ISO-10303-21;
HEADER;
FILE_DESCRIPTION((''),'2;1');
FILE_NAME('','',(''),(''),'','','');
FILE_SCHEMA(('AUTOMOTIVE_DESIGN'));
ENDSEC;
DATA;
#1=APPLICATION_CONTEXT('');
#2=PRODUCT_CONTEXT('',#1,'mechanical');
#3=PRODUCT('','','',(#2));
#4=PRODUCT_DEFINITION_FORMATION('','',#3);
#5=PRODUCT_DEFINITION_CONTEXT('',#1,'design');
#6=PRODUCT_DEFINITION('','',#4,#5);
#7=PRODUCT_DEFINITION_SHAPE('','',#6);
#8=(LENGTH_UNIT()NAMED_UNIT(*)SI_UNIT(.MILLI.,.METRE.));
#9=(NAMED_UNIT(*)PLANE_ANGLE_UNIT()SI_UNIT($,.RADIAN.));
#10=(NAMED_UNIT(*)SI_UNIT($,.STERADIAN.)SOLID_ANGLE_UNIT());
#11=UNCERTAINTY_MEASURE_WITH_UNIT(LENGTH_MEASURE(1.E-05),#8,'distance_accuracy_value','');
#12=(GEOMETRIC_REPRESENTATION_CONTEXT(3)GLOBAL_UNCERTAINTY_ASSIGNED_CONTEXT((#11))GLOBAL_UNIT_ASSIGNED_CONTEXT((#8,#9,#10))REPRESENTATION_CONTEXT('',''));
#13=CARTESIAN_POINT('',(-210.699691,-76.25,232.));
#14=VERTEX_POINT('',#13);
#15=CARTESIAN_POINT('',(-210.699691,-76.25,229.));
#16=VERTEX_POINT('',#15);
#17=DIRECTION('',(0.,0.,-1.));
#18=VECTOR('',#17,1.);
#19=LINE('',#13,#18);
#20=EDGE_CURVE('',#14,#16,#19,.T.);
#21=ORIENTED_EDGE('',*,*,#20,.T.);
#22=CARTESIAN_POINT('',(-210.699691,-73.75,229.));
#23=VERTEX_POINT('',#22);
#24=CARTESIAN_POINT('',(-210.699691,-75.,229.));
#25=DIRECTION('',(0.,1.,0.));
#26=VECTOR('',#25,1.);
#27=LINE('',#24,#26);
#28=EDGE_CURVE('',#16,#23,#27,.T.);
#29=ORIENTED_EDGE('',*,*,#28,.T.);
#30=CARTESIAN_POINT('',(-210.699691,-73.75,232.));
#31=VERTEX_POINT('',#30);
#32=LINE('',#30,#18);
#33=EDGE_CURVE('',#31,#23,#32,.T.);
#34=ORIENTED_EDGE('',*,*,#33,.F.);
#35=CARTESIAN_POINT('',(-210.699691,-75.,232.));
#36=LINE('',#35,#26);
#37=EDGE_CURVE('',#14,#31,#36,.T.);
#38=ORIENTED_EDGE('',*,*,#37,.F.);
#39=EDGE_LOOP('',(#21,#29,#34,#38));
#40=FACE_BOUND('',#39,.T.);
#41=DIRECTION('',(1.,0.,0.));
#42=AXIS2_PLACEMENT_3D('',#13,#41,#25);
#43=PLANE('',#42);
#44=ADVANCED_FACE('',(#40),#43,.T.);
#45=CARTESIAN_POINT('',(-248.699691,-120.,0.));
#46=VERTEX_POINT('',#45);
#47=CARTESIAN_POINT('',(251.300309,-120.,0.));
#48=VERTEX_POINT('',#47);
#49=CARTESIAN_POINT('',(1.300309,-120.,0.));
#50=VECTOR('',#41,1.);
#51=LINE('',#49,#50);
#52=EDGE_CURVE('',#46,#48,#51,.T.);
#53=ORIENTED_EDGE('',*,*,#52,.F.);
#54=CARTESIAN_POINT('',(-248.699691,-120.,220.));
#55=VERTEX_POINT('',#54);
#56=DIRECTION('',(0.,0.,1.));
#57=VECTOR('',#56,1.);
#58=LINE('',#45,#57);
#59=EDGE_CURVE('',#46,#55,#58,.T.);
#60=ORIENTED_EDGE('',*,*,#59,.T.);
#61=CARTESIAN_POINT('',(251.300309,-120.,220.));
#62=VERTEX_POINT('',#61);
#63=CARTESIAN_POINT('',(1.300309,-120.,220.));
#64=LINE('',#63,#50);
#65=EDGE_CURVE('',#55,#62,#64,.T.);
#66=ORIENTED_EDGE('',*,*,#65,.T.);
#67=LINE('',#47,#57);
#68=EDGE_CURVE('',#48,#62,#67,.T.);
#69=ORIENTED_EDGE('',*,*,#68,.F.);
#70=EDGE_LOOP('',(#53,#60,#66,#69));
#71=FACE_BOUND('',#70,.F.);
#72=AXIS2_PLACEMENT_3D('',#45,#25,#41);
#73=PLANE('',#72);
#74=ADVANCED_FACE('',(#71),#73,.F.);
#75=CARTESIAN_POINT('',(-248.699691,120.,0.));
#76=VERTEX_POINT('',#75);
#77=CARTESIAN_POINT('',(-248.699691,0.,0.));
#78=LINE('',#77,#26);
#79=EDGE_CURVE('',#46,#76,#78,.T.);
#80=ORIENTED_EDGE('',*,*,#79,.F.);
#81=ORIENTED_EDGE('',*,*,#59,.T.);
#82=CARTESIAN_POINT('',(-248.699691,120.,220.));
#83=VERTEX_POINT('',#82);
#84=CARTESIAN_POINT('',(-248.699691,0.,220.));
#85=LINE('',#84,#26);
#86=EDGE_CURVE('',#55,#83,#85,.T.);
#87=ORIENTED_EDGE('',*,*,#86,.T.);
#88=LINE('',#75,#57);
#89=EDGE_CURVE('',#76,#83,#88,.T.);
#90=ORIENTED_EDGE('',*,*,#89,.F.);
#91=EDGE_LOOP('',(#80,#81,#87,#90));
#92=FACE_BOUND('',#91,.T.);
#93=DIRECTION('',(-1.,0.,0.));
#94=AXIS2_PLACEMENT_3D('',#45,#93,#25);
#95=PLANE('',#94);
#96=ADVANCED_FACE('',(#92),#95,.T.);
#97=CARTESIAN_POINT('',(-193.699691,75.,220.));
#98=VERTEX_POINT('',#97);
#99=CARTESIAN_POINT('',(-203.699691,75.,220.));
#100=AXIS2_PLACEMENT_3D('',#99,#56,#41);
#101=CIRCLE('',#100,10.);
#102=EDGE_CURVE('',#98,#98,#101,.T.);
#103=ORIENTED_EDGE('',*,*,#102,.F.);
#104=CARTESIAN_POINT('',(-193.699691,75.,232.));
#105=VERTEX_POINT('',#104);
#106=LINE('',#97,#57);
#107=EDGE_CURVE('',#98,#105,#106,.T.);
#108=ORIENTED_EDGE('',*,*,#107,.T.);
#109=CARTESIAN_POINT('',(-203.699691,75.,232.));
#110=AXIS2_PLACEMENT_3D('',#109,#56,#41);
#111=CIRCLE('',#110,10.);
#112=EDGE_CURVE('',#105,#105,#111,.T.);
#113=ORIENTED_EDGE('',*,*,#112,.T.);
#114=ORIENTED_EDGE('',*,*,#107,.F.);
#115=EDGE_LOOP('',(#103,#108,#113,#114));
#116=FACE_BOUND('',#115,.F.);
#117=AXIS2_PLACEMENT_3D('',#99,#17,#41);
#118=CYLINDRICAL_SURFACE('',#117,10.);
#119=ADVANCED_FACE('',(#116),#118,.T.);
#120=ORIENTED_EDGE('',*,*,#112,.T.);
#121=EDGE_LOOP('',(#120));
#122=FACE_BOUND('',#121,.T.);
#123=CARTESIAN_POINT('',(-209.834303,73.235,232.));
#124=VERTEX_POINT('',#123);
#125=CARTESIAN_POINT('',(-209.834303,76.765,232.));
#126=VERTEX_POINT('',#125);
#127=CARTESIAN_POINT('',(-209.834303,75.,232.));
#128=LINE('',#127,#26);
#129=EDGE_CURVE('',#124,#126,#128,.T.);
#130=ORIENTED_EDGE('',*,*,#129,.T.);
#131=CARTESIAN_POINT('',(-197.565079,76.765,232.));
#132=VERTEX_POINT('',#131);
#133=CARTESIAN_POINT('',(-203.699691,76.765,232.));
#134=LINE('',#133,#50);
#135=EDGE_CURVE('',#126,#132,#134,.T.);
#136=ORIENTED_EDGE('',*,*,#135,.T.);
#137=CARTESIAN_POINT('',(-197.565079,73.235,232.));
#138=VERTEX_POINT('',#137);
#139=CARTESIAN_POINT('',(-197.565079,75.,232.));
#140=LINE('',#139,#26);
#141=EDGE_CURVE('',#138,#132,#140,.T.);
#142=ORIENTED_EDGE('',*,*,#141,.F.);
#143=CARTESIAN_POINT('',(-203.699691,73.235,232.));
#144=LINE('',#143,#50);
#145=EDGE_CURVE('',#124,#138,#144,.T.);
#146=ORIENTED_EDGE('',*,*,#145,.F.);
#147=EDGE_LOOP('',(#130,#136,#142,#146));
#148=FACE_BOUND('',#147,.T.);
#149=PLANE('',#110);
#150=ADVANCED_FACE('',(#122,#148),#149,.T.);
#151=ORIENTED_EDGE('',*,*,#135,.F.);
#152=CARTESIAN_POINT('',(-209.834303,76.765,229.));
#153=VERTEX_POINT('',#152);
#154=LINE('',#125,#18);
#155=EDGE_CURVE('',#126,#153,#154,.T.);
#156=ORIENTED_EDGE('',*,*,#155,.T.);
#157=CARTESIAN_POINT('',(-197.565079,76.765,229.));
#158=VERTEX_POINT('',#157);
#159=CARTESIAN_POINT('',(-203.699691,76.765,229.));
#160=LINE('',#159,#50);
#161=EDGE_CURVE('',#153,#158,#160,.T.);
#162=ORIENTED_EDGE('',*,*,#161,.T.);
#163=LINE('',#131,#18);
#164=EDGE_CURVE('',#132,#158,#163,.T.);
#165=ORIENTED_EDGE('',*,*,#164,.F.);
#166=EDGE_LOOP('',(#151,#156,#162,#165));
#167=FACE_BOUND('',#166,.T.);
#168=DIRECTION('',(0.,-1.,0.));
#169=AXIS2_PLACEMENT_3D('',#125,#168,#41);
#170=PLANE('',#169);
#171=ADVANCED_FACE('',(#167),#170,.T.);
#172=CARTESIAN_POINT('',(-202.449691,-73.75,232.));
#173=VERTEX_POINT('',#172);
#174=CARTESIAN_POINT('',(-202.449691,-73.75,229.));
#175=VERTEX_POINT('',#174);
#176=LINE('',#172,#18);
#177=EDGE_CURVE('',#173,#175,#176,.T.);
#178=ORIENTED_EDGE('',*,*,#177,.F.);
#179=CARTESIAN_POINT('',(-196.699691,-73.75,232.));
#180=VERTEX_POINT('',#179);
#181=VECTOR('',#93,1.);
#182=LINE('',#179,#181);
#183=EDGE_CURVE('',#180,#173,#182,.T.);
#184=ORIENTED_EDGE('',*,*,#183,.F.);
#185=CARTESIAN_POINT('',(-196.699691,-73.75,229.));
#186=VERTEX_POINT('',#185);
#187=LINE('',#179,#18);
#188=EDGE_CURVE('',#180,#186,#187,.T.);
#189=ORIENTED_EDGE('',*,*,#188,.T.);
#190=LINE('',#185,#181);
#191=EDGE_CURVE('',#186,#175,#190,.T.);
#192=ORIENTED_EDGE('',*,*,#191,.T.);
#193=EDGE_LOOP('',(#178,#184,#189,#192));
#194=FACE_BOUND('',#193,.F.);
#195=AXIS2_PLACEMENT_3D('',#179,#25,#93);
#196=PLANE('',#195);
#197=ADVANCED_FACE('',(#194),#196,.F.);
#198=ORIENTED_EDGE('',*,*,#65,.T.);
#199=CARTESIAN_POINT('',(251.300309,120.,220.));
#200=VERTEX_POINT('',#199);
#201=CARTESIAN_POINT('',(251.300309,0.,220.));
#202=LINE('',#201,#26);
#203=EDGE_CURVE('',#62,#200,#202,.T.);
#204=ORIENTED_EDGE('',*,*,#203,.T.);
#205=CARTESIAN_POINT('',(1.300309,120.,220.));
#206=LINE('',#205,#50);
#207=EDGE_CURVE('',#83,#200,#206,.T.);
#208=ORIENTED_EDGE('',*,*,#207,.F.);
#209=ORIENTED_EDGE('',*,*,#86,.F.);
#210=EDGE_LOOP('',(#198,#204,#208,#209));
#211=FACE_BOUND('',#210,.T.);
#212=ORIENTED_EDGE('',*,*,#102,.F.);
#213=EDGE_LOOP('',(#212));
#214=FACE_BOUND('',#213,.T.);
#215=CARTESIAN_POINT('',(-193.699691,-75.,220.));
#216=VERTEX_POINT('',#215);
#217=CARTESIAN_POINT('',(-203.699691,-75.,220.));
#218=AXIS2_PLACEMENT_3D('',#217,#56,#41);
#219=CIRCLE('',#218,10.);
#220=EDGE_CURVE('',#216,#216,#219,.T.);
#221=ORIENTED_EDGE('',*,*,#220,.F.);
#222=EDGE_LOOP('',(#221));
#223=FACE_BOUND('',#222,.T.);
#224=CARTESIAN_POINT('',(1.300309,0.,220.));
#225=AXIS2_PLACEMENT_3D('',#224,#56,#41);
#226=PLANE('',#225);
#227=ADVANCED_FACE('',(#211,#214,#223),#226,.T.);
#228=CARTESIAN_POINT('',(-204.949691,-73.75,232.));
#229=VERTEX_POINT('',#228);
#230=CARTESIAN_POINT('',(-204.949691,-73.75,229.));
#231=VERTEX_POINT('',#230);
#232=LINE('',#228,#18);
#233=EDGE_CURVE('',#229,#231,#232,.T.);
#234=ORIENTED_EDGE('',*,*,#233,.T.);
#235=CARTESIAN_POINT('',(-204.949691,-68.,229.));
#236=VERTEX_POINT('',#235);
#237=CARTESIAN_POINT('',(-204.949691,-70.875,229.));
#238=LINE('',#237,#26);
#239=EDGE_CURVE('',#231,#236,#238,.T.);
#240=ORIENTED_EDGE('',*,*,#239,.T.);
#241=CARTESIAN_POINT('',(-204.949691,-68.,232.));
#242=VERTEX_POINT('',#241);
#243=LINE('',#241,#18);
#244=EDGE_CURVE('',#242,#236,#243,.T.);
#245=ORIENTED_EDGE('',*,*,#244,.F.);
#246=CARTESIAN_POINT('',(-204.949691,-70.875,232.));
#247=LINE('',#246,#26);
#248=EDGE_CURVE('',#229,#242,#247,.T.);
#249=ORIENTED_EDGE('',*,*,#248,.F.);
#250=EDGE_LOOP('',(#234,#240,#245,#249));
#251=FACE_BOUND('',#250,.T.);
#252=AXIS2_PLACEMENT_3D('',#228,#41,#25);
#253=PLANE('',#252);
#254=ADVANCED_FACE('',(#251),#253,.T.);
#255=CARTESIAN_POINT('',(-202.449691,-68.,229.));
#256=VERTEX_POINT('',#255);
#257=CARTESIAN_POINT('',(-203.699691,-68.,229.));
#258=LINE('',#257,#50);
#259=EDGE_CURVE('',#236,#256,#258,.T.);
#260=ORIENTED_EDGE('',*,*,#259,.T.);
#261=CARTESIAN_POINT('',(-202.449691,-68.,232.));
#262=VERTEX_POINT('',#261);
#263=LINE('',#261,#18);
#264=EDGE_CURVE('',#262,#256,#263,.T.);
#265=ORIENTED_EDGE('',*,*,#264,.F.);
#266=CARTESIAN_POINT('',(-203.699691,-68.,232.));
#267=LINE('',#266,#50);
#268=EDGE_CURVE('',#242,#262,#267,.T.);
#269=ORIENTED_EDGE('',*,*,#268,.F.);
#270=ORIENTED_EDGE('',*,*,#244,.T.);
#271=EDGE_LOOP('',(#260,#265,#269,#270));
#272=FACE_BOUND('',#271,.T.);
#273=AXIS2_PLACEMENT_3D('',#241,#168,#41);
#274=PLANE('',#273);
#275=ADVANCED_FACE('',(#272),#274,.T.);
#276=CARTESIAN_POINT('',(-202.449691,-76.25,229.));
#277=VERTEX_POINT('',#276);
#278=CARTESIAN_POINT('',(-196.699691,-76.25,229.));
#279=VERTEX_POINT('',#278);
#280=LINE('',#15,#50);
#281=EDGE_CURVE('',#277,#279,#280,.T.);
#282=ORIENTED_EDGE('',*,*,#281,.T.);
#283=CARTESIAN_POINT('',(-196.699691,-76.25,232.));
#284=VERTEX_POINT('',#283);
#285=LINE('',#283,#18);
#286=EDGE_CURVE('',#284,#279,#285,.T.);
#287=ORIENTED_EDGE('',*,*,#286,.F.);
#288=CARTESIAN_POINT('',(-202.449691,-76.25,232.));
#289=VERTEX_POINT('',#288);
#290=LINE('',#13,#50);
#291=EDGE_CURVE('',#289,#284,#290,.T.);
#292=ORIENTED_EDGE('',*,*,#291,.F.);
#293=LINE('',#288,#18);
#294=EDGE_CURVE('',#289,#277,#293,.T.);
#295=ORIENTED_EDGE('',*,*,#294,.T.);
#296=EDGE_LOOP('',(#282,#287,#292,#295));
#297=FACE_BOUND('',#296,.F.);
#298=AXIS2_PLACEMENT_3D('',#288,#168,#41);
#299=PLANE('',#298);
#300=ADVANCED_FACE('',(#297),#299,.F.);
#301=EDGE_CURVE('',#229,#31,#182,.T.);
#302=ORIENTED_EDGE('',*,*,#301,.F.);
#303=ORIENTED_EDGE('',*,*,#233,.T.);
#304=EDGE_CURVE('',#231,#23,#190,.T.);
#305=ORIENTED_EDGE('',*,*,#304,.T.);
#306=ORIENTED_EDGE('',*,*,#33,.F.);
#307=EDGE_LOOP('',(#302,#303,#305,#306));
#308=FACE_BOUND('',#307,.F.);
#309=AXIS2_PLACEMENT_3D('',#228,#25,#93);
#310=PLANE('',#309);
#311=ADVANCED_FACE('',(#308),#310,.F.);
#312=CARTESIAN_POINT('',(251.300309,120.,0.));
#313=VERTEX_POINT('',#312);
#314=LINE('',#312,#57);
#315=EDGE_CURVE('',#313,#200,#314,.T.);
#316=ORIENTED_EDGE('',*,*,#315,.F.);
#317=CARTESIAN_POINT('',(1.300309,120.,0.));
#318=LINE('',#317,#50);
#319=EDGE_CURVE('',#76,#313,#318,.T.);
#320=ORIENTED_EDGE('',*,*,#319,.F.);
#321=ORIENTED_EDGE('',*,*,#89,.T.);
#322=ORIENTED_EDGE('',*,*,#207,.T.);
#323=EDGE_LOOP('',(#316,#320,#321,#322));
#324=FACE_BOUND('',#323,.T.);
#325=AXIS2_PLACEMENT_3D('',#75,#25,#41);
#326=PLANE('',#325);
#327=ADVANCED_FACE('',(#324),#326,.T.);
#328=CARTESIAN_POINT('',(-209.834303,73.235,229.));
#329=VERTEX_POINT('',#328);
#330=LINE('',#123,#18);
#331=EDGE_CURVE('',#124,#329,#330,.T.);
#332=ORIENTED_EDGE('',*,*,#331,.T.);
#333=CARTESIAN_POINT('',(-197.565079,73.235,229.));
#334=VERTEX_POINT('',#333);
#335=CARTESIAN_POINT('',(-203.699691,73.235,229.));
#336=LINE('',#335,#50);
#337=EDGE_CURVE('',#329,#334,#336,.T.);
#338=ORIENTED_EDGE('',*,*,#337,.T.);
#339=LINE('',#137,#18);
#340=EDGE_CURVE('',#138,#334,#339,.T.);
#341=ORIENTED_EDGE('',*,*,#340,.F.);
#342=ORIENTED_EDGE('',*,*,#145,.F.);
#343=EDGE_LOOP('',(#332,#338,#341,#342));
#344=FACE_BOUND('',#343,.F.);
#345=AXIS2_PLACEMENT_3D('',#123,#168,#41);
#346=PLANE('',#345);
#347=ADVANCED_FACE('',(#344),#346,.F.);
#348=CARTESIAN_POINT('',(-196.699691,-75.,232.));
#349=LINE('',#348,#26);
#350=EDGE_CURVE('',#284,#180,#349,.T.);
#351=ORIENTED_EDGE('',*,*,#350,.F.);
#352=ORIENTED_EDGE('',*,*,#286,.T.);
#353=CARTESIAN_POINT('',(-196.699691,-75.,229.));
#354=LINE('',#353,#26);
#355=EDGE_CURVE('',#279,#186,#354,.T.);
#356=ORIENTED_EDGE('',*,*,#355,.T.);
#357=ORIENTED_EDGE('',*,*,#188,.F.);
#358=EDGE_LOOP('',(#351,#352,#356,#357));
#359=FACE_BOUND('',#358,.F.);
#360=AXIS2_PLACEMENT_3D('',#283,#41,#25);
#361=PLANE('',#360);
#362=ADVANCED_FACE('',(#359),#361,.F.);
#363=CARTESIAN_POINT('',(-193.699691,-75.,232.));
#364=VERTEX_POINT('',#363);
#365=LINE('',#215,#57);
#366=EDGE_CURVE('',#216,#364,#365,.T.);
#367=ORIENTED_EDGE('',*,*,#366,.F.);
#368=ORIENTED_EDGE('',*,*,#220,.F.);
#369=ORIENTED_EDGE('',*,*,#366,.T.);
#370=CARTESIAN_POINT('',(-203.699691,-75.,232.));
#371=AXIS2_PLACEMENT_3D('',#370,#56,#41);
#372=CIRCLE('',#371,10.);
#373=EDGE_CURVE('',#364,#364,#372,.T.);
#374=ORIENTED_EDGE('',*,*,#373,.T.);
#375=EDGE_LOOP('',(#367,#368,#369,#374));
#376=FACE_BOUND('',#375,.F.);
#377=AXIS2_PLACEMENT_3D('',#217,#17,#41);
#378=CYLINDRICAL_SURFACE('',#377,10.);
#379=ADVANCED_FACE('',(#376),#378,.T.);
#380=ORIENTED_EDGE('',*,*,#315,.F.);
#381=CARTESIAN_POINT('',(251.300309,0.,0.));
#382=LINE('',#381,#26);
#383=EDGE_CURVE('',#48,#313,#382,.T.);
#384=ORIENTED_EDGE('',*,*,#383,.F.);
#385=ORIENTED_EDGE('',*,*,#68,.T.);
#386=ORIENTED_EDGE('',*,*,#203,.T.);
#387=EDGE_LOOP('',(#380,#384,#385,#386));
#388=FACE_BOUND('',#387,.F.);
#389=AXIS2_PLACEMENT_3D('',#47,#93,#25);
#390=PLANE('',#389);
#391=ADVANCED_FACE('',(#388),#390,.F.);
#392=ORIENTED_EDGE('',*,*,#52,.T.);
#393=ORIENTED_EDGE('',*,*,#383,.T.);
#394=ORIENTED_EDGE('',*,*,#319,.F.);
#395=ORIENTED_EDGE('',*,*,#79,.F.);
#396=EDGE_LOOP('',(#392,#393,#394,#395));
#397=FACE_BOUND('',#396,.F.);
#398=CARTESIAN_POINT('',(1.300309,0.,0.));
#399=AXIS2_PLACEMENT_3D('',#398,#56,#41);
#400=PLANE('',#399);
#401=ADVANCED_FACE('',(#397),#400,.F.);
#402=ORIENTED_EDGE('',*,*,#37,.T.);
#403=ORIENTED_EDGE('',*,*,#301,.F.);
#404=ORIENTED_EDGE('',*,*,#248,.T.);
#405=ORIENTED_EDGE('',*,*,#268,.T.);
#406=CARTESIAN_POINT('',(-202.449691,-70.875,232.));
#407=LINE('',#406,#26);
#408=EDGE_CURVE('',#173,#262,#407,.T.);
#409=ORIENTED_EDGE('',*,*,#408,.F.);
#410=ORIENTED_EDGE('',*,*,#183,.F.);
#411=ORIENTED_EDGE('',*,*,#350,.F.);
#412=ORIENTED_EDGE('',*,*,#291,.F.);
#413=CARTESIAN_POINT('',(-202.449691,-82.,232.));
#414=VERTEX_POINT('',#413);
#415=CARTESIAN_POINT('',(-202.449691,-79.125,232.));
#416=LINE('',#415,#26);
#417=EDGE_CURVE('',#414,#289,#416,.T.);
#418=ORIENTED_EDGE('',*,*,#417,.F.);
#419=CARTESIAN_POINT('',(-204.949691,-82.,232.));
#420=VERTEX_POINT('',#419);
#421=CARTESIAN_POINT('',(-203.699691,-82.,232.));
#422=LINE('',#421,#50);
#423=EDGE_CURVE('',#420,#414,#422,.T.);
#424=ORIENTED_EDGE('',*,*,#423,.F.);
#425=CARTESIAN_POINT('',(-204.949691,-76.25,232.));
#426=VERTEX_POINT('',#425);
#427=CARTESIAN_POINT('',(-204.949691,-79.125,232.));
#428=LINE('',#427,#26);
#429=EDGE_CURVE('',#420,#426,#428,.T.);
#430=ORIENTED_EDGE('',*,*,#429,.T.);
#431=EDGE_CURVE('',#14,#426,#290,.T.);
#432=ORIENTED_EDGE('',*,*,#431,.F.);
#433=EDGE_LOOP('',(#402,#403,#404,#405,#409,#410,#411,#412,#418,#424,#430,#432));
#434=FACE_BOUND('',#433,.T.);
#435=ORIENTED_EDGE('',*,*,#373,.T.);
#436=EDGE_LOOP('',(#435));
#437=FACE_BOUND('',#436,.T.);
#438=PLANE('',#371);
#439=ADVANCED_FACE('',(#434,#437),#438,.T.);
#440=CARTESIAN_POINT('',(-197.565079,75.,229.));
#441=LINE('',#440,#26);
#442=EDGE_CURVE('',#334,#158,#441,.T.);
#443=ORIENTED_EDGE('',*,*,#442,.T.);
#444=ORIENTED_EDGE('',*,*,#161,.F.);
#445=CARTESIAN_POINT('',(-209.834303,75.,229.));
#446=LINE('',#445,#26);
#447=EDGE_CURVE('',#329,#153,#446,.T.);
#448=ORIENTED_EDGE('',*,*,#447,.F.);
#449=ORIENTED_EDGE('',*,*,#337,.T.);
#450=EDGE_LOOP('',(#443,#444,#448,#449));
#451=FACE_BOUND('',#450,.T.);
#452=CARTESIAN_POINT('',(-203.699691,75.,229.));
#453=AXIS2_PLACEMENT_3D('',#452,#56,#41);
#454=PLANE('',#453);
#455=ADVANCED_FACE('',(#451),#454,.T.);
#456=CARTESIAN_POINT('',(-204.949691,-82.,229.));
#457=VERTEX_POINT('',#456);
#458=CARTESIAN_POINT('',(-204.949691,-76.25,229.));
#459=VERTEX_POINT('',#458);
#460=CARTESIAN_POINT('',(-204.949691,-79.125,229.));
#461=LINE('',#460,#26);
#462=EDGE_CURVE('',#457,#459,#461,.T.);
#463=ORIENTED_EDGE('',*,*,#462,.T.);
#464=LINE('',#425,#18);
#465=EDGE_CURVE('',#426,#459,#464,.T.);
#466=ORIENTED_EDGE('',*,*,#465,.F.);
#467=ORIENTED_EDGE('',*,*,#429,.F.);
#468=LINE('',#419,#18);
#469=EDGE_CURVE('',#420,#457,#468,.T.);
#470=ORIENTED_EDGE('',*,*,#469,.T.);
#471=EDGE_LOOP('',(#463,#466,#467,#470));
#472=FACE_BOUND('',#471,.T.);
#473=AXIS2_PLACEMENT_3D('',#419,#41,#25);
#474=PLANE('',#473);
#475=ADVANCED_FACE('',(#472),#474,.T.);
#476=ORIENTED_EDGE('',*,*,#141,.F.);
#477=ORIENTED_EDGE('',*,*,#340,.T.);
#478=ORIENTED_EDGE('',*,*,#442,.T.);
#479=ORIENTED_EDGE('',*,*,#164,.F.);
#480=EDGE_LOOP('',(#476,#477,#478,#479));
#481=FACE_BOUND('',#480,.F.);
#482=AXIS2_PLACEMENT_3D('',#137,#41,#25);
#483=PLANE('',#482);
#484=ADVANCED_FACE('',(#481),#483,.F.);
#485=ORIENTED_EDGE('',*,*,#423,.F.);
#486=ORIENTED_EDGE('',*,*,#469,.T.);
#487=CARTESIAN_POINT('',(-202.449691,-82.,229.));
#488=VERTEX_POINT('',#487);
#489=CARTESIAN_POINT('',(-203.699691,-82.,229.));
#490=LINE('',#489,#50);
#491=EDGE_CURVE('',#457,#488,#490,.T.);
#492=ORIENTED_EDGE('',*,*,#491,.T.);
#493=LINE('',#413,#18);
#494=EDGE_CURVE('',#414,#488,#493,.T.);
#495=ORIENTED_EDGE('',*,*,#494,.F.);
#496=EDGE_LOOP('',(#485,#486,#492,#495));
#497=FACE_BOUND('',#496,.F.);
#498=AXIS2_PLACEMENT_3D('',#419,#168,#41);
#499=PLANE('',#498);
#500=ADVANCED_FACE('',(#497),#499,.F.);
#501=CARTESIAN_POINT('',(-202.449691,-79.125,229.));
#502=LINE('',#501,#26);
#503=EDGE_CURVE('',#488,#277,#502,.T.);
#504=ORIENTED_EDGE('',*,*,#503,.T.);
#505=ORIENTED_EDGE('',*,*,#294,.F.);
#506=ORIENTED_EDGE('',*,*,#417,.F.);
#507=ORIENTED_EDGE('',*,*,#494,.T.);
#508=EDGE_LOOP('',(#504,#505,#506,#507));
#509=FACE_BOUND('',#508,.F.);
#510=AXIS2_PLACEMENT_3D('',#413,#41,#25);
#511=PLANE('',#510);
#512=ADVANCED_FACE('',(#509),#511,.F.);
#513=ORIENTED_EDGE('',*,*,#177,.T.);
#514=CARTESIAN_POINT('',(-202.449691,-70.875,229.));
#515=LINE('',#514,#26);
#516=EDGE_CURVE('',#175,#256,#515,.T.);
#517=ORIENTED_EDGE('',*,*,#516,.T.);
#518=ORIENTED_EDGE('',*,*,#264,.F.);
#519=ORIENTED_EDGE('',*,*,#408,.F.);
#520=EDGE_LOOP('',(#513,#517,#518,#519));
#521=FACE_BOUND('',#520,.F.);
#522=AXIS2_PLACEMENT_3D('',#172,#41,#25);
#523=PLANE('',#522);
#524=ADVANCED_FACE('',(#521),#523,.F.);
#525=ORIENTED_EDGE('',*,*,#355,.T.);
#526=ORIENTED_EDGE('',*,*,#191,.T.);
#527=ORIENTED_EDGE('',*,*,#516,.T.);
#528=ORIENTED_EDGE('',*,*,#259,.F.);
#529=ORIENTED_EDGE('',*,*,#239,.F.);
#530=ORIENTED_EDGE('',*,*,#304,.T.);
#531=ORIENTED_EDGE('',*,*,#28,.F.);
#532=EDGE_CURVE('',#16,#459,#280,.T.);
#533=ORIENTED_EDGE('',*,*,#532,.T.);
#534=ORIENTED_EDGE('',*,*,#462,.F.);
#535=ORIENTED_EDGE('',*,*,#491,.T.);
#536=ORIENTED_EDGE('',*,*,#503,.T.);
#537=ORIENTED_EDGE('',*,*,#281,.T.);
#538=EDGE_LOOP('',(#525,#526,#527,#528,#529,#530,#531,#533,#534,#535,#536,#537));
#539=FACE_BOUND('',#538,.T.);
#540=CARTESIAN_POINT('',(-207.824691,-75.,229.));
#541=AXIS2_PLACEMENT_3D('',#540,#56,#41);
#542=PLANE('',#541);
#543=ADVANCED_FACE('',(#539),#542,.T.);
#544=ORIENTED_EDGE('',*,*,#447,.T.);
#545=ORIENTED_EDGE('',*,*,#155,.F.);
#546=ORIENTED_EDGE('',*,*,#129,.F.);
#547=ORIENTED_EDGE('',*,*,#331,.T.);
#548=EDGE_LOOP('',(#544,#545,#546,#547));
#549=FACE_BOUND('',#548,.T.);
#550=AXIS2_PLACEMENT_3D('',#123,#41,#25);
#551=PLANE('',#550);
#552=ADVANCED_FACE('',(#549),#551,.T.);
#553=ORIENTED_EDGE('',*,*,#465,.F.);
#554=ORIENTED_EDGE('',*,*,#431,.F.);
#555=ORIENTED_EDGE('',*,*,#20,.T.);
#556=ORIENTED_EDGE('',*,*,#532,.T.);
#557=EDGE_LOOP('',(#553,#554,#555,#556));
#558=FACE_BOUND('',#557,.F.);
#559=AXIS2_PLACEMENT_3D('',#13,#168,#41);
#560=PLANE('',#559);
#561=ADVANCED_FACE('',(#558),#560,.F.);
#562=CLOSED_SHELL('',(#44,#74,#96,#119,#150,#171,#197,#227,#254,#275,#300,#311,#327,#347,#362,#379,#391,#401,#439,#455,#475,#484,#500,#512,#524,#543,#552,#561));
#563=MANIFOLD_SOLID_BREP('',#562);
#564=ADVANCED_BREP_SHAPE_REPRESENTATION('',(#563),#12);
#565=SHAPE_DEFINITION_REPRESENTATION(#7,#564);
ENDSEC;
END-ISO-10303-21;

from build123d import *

# Parameters (mm, degrees)
F0_W     = 500
F0_H     = 240
F1_DEPTH = 220
F2_R     = 10
F3_DEPTH = 12
F4_W     = 12.269224124
F4_H     = 3.53
F4_W_2   = 5.75
F4_H_2   = 2.5
F4_W_3   = 2.5
F4_H_3   = 5.75
F5_DEPTH = 3


with BuildPart() as f1:
    # F0 (on Top) → F1 (new body)
    with BuildSketch(Plane.XY):
        with Locations((1.3003092026, 0)):
            Rectangle(F0_W, F0_H)
    extrude(amount=F1_DEPTH)

    # F2 (on face) → F3 (join)
    with BuildSketch(Plane.XY.offset(220)):
        with Locations((-203.6996907974, 75)):
            Circle(F2_R)
        with Locations((-203.6996907974, -75)):
            Circle(F2_R)
    extrude(amount=F3_DEPTH)

    # F4 (on face) → F5 (cut)
    with BuildSketch(Plane.XY.offset(232)):
        with Locations((-203.6996907974, 75)):
            Rectangle(F4_W, F4_H)
        with Locations((-207.8246907974, -75)):
            Rectangle(F4_W_2, F4_H_2)
        with Locations((-203.6996907974, -75)):
            Rectangle(F4_W_3, F4_H_2)
        with Locations((-199.5746907974, -75)):
            Rectangle(F4_W_2, F4_H_2)
        with Locations((-203.6996907974, -70.875)):
            Rectangle(F4_W_3, F4_H_3)
        with Locations((-203.6996907974, -79.125)):
            Rectangle(F4_W_3, F4_H_3)
    extrude(amount=-F5_DEPTH, mode=Mode.SUBTRACT)


solid = f1.part
